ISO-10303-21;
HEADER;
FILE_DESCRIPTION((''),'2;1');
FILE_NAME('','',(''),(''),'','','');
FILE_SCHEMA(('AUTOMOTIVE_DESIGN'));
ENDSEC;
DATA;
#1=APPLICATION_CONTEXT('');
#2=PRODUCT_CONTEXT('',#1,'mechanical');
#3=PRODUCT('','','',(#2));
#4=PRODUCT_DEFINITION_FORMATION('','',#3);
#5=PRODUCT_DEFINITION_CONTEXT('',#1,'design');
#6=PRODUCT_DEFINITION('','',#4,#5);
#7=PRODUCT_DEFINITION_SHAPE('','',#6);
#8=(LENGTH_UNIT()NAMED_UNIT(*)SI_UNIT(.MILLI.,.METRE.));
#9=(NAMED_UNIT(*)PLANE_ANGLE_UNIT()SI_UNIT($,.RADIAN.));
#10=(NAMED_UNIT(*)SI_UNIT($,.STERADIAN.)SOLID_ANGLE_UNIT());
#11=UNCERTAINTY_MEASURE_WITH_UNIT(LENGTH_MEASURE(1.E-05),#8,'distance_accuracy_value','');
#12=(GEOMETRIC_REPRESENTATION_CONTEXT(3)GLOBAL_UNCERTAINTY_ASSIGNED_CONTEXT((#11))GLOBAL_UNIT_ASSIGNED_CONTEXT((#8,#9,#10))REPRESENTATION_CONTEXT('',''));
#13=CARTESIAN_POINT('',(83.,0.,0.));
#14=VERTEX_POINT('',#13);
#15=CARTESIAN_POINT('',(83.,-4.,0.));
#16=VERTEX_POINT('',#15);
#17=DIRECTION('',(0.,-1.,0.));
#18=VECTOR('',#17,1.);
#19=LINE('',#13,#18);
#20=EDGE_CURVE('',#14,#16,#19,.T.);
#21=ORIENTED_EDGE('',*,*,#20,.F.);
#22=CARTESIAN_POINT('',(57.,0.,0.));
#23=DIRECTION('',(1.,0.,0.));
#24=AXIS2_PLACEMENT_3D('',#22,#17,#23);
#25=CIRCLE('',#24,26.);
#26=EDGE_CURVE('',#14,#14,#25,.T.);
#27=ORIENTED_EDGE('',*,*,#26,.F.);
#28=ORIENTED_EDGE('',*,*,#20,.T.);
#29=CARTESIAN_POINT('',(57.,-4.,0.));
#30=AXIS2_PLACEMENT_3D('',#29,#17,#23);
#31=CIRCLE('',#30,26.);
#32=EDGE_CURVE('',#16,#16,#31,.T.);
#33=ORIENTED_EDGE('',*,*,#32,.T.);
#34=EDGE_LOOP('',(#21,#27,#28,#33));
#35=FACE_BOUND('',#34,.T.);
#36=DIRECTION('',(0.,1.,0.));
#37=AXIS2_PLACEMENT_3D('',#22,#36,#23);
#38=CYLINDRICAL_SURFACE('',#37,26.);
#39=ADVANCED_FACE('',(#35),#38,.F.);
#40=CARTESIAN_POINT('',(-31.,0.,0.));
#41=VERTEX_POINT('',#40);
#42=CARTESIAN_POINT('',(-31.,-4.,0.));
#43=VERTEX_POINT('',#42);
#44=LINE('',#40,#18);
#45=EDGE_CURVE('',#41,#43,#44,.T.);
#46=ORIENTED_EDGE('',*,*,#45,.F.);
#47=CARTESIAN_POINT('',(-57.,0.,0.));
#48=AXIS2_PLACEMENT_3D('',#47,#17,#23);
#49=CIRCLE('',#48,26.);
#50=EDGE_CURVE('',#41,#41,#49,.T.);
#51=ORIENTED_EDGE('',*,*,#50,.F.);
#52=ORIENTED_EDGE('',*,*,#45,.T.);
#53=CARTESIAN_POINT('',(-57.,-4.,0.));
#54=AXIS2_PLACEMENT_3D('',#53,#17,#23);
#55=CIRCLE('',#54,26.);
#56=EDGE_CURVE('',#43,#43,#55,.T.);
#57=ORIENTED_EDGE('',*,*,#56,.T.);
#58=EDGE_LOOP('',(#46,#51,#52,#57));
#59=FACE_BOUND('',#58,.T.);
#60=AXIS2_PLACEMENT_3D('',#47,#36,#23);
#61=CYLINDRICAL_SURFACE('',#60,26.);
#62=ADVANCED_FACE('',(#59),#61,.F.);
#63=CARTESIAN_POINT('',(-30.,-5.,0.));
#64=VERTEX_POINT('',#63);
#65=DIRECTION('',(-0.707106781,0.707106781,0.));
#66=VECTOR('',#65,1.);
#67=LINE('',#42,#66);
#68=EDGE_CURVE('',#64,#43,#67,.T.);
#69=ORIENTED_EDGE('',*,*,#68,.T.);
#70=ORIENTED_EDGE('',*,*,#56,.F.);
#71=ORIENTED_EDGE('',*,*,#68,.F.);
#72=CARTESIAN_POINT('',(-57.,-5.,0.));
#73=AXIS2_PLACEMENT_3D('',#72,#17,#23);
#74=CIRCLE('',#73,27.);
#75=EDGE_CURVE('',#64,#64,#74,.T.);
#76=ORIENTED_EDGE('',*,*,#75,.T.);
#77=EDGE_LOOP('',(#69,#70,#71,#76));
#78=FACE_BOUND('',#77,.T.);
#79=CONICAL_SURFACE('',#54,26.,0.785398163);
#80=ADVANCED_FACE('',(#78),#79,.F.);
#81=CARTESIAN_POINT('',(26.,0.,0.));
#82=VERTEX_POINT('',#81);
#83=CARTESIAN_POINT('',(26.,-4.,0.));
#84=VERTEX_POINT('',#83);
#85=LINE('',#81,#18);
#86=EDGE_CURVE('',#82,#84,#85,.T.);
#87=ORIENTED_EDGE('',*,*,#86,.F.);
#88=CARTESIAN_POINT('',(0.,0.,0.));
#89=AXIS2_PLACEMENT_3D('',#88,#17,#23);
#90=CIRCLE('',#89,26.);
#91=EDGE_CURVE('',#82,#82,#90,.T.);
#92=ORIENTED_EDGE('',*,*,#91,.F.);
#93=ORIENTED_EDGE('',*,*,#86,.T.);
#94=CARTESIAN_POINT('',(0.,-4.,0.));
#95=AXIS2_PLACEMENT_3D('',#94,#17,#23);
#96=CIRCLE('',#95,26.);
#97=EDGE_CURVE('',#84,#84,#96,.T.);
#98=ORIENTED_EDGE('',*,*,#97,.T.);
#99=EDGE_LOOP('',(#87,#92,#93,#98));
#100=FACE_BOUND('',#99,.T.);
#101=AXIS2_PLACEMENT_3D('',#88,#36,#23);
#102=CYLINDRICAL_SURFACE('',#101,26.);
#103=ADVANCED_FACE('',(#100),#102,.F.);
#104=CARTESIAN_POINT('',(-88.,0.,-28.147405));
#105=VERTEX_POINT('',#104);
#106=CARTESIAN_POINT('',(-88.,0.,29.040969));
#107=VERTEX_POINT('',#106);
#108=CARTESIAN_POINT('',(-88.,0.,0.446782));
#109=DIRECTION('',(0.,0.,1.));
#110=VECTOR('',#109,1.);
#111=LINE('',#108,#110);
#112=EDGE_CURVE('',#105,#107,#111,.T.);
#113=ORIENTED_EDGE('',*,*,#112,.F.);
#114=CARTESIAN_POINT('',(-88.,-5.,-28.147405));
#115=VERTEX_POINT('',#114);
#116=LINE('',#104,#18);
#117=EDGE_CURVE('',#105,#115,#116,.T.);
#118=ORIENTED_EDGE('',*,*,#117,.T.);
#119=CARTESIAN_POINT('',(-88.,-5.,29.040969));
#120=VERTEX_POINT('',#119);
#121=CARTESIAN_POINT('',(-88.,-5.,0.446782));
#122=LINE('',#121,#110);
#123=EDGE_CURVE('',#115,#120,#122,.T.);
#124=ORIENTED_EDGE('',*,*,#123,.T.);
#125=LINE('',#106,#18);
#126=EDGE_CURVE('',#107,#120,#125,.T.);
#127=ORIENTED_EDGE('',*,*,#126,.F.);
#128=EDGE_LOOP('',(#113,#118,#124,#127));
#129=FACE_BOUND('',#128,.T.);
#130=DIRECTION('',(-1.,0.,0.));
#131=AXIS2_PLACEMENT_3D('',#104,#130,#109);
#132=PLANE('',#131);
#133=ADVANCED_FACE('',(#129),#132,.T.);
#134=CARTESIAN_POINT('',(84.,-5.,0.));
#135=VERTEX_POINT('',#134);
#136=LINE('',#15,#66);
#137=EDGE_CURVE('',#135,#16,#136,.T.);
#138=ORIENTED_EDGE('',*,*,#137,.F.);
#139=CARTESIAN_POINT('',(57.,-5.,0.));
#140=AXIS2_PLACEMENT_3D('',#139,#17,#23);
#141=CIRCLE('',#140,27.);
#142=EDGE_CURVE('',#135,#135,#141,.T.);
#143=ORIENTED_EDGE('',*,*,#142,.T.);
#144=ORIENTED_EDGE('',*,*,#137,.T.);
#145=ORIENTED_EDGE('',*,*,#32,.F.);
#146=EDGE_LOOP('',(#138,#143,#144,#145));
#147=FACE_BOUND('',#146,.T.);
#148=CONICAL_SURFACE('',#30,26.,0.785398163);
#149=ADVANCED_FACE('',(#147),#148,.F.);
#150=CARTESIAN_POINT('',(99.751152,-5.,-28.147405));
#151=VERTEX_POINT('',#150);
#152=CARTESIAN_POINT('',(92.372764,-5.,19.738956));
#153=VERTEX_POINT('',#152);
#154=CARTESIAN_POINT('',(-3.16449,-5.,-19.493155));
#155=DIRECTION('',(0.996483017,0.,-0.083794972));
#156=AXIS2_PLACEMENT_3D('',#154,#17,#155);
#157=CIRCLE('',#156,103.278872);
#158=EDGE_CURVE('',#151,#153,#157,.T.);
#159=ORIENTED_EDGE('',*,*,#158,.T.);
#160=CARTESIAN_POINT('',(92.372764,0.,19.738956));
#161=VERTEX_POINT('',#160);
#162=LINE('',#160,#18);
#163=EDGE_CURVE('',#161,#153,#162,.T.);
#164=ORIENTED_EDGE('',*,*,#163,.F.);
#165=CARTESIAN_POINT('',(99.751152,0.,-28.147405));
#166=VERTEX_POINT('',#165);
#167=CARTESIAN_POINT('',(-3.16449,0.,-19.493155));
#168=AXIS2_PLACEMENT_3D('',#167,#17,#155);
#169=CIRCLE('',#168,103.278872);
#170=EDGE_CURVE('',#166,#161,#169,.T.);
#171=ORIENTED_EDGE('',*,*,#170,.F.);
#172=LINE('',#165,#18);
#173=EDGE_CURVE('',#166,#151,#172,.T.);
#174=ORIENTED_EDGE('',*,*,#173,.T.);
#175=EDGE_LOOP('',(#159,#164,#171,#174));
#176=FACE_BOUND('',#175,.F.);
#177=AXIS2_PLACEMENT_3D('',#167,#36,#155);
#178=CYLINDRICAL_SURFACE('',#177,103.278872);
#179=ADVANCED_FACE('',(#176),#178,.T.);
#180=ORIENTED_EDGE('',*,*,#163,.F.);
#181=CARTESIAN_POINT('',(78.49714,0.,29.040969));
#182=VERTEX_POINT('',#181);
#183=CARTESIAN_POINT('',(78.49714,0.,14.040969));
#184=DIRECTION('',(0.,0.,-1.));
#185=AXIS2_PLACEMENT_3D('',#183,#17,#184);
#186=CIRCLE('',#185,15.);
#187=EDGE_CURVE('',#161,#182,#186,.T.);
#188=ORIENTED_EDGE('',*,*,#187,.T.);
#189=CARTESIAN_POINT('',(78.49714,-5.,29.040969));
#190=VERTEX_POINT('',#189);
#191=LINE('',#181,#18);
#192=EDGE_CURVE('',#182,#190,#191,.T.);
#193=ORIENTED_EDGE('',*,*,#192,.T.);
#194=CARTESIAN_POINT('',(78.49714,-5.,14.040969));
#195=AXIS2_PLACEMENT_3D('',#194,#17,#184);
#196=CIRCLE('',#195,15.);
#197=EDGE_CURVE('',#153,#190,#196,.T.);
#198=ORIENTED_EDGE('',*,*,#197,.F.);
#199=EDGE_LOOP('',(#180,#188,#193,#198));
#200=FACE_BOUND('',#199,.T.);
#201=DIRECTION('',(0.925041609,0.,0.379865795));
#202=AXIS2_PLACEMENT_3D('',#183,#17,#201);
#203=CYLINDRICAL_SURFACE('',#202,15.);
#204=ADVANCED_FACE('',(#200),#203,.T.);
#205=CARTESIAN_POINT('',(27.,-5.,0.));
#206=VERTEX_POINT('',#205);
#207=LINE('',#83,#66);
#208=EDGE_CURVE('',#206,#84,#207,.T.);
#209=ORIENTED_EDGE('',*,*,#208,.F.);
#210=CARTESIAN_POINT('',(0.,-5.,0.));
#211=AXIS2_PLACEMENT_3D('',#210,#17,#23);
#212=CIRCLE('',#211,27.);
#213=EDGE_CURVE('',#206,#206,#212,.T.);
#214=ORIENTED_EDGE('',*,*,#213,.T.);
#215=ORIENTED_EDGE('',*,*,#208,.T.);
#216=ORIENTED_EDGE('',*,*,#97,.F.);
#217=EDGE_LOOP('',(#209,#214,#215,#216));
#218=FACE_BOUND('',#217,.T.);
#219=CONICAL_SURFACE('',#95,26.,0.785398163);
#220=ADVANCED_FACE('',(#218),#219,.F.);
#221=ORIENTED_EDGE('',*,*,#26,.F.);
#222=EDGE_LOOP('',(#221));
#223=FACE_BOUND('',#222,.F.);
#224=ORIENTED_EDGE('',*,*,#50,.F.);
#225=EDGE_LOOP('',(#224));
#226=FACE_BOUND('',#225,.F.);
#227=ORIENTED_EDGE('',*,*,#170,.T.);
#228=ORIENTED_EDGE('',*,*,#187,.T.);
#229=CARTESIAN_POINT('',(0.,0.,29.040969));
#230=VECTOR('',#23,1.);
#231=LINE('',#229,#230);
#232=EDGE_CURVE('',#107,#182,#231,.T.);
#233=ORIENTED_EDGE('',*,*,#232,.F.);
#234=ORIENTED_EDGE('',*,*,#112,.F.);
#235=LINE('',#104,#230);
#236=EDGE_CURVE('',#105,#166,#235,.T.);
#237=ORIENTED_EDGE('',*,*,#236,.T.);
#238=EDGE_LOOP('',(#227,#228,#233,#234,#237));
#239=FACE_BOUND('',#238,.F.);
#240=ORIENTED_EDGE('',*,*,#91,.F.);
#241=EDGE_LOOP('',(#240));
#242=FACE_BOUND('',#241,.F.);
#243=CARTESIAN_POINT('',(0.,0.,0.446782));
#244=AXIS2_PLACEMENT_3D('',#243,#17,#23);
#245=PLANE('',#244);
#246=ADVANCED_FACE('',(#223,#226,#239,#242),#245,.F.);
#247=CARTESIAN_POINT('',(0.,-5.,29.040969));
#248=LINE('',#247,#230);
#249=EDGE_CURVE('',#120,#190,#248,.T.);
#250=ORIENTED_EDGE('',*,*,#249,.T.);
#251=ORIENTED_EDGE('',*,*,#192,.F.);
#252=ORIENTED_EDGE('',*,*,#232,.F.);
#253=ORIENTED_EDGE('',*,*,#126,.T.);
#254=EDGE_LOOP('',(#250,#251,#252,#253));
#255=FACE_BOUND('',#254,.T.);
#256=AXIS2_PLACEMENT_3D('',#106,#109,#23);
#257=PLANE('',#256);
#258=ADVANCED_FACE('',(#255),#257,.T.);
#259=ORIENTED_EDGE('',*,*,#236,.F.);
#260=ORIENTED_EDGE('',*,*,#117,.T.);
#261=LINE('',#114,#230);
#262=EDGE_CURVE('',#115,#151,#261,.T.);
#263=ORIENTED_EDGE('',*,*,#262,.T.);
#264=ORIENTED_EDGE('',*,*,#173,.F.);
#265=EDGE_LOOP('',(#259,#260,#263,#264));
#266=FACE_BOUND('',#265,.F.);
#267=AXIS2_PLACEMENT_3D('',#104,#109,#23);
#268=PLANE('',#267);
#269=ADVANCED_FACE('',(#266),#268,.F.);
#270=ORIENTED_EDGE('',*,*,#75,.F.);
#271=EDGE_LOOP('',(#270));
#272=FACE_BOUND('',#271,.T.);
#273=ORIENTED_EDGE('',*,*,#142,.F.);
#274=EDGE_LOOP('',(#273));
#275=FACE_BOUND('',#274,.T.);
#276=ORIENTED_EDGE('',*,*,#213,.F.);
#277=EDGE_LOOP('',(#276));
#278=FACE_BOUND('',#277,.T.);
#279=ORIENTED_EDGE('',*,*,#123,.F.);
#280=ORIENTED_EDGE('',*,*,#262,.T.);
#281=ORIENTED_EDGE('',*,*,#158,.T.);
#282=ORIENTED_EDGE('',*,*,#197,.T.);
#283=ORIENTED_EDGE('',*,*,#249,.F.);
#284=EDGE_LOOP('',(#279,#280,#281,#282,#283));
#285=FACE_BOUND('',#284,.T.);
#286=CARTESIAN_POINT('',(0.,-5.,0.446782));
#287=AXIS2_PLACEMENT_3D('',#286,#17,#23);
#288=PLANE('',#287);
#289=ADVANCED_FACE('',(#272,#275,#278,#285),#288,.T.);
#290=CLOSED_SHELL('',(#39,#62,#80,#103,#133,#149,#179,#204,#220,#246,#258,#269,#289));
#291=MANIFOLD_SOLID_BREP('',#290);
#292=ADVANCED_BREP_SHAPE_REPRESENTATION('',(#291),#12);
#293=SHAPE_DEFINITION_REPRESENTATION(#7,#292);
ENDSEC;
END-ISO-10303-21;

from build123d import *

# Parameters (mm, degrees)
F0_W     = 176
F0_H     = 57.188374
F0_R     = 26
F1_DEPTH = 5
F2_R     = 15
F3_SIZE  = 1


with BuildPart() as f1:
    # F0 (on Front) → F1 (new body)
    with BuildSketch(Plane.XZ):
        with Locations((0, 0.446782)):
            Rectangle(F0_W, F0_H)
        with Locations((-57, 0)):
            Circle(F0_R, mode=Mode.SUBTRACT)
        Circle(F0_R, mode=Mode.SUBTRACT)
        with Locations((57, 0)):
            Circle(F0_R, mode=Mode.SUBTRACT)
        with BuildLine():
            ThreePointArc((99.751152, -28.147405), (98.000731, 1.294425), (88, 29.040969))
            Line((88, 29.040969), (88, -28.147405))
            Line((88, -28.147405), (99.751152, -28.147405))
        make_face()
    extrude(amount=F1_DEPTH)

    # F2
    f2_edges = [f1.edges().sort_by_distance(p)[0] for p in [
        (88, -2.5, 29.040969),
    ]]
    fillet(f2_edges, radius=F2_R)

    # F3
    f3_edges = [f1.edges().sort_by_distance(p)[0] for p in [
        (-83, -5, 0),
        (-26, -5, 0),
        (31, -5, 0),
    ]]
    chamfer(f3_edges, length=F3_SIZE)


solid = f1.part
